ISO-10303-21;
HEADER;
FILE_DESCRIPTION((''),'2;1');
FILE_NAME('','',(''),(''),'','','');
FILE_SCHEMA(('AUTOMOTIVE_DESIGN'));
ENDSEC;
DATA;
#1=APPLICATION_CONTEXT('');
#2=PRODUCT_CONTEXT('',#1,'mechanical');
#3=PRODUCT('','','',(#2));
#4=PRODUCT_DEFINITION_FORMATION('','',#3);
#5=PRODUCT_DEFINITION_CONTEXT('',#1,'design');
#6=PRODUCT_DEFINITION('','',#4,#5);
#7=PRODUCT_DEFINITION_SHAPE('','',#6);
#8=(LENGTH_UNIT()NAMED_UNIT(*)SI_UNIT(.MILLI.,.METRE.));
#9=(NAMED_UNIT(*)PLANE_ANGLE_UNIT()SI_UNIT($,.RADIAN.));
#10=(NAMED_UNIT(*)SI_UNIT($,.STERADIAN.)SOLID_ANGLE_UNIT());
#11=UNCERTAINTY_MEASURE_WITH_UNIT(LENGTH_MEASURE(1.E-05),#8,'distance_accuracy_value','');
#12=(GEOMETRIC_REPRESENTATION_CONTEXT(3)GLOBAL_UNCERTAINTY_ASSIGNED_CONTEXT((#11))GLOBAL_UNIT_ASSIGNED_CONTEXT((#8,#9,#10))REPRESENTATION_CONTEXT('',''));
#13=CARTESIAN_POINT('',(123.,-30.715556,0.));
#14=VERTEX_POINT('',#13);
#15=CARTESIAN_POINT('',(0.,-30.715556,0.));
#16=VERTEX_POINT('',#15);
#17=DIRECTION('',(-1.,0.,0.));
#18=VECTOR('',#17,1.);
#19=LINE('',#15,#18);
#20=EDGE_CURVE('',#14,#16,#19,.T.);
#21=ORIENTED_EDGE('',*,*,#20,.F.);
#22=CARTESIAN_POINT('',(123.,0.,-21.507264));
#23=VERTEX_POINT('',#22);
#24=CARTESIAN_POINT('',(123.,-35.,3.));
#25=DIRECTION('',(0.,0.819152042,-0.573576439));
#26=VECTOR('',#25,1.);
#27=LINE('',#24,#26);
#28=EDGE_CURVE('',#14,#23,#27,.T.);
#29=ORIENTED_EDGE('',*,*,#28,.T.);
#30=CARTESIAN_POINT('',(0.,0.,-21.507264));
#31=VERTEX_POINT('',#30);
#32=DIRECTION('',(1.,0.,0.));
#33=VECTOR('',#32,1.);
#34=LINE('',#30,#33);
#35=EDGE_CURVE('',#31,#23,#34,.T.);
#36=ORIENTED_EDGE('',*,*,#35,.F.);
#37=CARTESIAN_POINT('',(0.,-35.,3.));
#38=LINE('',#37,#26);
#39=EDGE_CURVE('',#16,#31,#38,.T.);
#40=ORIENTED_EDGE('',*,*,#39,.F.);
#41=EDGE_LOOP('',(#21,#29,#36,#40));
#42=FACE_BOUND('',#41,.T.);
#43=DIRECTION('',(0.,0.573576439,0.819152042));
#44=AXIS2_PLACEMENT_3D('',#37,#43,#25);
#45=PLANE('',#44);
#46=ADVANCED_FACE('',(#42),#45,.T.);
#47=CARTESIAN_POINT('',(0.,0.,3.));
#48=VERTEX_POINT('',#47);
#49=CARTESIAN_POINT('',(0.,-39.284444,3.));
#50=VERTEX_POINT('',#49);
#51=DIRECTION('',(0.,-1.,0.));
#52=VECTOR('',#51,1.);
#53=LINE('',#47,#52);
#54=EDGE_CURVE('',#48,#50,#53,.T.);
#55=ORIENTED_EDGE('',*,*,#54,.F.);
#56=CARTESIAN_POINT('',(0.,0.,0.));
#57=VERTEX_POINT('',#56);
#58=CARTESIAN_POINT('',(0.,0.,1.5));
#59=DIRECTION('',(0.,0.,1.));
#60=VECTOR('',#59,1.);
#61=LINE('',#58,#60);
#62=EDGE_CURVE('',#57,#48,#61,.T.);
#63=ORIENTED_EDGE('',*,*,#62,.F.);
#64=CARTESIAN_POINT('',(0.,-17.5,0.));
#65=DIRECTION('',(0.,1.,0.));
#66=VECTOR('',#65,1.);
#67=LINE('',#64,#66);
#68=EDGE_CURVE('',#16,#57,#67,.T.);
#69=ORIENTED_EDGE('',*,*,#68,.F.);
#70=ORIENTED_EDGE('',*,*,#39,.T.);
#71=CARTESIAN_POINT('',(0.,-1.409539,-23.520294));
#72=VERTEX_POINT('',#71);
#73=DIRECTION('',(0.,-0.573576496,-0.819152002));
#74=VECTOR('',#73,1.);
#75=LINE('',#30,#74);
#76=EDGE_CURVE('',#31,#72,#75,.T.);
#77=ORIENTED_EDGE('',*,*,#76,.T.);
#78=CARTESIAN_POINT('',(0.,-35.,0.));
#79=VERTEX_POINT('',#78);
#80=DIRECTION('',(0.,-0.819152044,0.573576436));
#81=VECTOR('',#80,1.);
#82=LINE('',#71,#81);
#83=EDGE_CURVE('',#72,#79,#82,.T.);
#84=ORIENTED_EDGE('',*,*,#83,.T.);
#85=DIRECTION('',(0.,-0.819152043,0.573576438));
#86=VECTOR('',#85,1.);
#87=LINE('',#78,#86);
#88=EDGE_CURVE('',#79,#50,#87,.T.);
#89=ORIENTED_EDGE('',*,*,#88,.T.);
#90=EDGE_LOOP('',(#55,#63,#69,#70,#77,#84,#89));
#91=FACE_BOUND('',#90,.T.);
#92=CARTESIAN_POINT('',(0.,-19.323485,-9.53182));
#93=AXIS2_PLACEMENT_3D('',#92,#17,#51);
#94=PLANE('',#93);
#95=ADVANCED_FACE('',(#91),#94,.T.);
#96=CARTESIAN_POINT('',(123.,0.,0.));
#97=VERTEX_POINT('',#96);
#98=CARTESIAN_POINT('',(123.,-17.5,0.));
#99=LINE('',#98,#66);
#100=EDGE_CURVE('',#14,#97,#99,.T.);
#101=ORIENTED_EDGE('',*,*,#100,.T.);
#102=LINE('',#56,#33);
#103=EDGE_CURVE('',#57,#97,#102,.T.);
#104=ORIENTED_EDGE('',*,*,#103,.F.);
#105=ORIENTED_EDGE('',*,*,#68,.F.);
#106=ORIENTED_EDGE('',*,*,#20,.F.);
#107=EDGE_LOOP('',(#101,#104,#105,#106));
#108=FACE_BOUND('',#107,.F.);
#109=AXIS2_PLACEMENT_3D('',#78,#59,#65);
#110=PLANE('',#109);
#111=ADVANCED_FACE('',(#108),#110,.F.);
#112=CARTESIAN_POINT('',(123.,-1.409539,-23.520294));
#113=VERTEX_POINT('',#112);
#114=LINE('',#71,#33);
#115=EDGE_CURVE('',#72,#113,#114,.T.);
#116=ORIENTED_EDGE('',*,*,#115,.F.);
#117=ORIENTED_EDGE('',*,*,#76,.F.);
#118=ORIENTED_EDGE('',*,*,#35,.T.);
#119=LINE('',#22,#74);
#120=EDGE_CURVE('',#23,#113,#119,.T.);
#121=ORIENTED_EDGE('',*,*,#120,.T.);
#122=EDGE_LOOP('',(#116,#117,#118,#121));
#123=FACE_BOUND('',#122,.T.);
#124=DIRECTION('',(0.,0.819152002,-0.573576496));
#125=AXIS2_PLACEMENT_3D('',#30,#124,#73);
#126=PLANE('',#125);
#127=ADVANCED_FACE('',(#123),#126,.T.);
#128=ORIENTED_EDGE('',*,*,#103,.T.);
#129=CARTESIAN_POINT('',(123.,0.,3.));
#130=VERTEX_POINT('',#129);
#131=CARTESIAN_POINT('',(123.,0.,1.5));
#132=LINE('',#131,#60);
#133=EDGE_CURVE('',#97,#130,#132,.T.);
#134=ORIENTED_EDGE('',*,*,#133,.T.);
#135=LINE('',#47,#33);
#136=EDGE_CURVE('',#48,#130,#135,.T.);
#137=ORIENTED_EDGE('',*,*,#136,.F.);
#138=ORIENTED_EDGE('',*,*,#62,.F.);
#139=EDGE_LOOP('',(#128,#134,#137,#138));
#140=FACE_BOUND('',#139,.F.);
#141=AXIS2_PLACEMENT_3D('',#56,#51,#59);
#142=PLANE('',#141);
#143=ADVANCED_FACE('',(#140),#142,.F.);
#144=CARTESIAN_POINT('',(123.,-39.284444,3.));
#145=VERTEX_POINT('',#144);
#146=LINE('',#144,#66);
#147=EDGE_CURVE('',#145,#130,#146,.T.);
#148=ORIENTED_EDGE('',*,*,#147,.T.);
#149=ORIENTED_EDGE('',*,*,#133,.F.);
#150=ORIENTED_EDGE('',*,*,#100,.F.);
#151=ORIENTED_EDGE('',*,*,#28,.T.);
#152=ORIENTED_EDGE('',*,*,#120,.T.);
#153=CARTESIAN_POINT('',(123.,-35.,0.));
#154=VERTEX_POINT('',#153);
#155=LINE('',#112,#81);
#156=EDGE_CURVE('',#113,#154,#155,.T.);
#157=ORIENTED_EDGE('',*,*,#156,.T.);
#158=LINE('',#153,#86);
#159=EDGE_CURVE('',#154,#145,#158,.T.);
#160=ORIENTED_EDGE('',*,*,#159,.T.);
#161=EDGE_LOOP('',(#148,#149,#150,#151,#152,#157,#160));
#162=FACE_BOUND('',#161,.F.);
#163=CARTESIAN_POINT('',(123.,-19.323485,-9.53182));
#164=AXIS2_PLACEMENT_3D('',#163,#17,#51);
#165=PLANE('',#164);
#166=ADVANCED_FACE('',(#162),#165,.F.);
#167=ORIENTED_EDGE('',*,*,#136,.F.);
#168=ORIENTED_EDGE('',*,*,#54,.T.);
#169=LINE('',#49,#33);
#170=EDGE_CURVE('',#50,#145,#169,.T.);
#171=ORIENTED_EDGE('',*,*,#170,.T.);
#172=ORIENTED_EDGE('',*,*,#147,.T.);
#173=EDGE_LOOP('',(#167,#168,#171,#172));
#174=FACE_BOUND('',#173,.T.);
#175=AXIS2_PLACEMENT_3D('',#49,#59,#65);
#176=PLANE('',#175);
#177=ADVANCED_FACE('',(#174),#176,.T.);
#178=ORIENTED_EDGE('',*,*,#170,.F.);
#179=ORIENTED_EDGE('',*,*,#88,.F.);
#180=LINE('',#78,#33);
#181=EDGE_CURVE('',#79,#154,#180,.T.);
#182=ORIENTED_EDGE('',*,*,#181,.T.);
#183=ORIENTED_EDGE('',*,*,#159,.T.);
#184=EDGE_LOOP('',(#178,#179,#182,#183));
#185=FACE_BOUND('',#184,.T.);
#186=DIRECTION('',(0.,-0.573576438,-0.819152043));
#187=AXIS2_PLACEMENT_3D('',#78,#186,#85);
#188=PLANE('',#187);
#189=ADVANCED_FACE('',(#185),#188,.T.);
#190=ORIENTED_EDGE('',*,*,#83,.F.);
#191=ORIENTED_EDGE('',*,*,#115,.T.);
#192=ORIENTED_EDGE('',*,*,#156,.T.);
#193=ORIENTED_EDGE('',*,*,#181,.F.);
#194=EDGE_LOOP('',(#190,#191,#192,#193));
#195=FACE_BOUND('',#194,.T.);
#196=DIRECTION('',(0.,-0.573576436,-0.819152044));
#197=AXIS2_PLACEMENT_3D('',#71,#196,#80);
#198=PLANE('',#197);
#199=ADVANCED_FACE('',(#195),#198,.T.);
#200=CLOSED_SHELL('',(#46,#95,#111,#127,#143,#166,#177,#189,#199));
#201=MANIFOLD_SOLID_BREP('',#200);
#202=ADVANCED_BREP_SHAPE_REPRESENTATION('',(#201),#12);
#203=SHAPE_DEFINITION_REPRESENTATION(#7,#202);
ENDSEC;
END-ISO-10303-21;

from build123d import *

# Parameters (mm, degrees)
F0_W     = 35
F0_H     = 3
F1_DEPTH = 123
F3_DEPTH = 123


with BuildPart() as f1:
    # F0 (on Right) → F1 (new body)
    with BuildSketch(Plane.YZ):
        with Locations((-17.5, 1.5)):
            Rectangle(F0_W, F0_H)
    extrude(amount=F1_DEPTH)

    # F2 (on face) → F3 (join, through all)
    with BuildSketch(Plane(origin=(0, 0, 0), x_dir=(0, -1, 0), z_dir=(-1, 0, 0))):
        Polygon((39.284444, 3), (35, 3), (0, -21.507264), (1.409539, -23.520294), (35, 0), align=None)
        Polygon((35, 0), (30.715556, 0), (0, -21.507264), (1.409539, -23.520294), align=None)
    extrude(amount=-F3_DEPTH)


solid = f1.part
